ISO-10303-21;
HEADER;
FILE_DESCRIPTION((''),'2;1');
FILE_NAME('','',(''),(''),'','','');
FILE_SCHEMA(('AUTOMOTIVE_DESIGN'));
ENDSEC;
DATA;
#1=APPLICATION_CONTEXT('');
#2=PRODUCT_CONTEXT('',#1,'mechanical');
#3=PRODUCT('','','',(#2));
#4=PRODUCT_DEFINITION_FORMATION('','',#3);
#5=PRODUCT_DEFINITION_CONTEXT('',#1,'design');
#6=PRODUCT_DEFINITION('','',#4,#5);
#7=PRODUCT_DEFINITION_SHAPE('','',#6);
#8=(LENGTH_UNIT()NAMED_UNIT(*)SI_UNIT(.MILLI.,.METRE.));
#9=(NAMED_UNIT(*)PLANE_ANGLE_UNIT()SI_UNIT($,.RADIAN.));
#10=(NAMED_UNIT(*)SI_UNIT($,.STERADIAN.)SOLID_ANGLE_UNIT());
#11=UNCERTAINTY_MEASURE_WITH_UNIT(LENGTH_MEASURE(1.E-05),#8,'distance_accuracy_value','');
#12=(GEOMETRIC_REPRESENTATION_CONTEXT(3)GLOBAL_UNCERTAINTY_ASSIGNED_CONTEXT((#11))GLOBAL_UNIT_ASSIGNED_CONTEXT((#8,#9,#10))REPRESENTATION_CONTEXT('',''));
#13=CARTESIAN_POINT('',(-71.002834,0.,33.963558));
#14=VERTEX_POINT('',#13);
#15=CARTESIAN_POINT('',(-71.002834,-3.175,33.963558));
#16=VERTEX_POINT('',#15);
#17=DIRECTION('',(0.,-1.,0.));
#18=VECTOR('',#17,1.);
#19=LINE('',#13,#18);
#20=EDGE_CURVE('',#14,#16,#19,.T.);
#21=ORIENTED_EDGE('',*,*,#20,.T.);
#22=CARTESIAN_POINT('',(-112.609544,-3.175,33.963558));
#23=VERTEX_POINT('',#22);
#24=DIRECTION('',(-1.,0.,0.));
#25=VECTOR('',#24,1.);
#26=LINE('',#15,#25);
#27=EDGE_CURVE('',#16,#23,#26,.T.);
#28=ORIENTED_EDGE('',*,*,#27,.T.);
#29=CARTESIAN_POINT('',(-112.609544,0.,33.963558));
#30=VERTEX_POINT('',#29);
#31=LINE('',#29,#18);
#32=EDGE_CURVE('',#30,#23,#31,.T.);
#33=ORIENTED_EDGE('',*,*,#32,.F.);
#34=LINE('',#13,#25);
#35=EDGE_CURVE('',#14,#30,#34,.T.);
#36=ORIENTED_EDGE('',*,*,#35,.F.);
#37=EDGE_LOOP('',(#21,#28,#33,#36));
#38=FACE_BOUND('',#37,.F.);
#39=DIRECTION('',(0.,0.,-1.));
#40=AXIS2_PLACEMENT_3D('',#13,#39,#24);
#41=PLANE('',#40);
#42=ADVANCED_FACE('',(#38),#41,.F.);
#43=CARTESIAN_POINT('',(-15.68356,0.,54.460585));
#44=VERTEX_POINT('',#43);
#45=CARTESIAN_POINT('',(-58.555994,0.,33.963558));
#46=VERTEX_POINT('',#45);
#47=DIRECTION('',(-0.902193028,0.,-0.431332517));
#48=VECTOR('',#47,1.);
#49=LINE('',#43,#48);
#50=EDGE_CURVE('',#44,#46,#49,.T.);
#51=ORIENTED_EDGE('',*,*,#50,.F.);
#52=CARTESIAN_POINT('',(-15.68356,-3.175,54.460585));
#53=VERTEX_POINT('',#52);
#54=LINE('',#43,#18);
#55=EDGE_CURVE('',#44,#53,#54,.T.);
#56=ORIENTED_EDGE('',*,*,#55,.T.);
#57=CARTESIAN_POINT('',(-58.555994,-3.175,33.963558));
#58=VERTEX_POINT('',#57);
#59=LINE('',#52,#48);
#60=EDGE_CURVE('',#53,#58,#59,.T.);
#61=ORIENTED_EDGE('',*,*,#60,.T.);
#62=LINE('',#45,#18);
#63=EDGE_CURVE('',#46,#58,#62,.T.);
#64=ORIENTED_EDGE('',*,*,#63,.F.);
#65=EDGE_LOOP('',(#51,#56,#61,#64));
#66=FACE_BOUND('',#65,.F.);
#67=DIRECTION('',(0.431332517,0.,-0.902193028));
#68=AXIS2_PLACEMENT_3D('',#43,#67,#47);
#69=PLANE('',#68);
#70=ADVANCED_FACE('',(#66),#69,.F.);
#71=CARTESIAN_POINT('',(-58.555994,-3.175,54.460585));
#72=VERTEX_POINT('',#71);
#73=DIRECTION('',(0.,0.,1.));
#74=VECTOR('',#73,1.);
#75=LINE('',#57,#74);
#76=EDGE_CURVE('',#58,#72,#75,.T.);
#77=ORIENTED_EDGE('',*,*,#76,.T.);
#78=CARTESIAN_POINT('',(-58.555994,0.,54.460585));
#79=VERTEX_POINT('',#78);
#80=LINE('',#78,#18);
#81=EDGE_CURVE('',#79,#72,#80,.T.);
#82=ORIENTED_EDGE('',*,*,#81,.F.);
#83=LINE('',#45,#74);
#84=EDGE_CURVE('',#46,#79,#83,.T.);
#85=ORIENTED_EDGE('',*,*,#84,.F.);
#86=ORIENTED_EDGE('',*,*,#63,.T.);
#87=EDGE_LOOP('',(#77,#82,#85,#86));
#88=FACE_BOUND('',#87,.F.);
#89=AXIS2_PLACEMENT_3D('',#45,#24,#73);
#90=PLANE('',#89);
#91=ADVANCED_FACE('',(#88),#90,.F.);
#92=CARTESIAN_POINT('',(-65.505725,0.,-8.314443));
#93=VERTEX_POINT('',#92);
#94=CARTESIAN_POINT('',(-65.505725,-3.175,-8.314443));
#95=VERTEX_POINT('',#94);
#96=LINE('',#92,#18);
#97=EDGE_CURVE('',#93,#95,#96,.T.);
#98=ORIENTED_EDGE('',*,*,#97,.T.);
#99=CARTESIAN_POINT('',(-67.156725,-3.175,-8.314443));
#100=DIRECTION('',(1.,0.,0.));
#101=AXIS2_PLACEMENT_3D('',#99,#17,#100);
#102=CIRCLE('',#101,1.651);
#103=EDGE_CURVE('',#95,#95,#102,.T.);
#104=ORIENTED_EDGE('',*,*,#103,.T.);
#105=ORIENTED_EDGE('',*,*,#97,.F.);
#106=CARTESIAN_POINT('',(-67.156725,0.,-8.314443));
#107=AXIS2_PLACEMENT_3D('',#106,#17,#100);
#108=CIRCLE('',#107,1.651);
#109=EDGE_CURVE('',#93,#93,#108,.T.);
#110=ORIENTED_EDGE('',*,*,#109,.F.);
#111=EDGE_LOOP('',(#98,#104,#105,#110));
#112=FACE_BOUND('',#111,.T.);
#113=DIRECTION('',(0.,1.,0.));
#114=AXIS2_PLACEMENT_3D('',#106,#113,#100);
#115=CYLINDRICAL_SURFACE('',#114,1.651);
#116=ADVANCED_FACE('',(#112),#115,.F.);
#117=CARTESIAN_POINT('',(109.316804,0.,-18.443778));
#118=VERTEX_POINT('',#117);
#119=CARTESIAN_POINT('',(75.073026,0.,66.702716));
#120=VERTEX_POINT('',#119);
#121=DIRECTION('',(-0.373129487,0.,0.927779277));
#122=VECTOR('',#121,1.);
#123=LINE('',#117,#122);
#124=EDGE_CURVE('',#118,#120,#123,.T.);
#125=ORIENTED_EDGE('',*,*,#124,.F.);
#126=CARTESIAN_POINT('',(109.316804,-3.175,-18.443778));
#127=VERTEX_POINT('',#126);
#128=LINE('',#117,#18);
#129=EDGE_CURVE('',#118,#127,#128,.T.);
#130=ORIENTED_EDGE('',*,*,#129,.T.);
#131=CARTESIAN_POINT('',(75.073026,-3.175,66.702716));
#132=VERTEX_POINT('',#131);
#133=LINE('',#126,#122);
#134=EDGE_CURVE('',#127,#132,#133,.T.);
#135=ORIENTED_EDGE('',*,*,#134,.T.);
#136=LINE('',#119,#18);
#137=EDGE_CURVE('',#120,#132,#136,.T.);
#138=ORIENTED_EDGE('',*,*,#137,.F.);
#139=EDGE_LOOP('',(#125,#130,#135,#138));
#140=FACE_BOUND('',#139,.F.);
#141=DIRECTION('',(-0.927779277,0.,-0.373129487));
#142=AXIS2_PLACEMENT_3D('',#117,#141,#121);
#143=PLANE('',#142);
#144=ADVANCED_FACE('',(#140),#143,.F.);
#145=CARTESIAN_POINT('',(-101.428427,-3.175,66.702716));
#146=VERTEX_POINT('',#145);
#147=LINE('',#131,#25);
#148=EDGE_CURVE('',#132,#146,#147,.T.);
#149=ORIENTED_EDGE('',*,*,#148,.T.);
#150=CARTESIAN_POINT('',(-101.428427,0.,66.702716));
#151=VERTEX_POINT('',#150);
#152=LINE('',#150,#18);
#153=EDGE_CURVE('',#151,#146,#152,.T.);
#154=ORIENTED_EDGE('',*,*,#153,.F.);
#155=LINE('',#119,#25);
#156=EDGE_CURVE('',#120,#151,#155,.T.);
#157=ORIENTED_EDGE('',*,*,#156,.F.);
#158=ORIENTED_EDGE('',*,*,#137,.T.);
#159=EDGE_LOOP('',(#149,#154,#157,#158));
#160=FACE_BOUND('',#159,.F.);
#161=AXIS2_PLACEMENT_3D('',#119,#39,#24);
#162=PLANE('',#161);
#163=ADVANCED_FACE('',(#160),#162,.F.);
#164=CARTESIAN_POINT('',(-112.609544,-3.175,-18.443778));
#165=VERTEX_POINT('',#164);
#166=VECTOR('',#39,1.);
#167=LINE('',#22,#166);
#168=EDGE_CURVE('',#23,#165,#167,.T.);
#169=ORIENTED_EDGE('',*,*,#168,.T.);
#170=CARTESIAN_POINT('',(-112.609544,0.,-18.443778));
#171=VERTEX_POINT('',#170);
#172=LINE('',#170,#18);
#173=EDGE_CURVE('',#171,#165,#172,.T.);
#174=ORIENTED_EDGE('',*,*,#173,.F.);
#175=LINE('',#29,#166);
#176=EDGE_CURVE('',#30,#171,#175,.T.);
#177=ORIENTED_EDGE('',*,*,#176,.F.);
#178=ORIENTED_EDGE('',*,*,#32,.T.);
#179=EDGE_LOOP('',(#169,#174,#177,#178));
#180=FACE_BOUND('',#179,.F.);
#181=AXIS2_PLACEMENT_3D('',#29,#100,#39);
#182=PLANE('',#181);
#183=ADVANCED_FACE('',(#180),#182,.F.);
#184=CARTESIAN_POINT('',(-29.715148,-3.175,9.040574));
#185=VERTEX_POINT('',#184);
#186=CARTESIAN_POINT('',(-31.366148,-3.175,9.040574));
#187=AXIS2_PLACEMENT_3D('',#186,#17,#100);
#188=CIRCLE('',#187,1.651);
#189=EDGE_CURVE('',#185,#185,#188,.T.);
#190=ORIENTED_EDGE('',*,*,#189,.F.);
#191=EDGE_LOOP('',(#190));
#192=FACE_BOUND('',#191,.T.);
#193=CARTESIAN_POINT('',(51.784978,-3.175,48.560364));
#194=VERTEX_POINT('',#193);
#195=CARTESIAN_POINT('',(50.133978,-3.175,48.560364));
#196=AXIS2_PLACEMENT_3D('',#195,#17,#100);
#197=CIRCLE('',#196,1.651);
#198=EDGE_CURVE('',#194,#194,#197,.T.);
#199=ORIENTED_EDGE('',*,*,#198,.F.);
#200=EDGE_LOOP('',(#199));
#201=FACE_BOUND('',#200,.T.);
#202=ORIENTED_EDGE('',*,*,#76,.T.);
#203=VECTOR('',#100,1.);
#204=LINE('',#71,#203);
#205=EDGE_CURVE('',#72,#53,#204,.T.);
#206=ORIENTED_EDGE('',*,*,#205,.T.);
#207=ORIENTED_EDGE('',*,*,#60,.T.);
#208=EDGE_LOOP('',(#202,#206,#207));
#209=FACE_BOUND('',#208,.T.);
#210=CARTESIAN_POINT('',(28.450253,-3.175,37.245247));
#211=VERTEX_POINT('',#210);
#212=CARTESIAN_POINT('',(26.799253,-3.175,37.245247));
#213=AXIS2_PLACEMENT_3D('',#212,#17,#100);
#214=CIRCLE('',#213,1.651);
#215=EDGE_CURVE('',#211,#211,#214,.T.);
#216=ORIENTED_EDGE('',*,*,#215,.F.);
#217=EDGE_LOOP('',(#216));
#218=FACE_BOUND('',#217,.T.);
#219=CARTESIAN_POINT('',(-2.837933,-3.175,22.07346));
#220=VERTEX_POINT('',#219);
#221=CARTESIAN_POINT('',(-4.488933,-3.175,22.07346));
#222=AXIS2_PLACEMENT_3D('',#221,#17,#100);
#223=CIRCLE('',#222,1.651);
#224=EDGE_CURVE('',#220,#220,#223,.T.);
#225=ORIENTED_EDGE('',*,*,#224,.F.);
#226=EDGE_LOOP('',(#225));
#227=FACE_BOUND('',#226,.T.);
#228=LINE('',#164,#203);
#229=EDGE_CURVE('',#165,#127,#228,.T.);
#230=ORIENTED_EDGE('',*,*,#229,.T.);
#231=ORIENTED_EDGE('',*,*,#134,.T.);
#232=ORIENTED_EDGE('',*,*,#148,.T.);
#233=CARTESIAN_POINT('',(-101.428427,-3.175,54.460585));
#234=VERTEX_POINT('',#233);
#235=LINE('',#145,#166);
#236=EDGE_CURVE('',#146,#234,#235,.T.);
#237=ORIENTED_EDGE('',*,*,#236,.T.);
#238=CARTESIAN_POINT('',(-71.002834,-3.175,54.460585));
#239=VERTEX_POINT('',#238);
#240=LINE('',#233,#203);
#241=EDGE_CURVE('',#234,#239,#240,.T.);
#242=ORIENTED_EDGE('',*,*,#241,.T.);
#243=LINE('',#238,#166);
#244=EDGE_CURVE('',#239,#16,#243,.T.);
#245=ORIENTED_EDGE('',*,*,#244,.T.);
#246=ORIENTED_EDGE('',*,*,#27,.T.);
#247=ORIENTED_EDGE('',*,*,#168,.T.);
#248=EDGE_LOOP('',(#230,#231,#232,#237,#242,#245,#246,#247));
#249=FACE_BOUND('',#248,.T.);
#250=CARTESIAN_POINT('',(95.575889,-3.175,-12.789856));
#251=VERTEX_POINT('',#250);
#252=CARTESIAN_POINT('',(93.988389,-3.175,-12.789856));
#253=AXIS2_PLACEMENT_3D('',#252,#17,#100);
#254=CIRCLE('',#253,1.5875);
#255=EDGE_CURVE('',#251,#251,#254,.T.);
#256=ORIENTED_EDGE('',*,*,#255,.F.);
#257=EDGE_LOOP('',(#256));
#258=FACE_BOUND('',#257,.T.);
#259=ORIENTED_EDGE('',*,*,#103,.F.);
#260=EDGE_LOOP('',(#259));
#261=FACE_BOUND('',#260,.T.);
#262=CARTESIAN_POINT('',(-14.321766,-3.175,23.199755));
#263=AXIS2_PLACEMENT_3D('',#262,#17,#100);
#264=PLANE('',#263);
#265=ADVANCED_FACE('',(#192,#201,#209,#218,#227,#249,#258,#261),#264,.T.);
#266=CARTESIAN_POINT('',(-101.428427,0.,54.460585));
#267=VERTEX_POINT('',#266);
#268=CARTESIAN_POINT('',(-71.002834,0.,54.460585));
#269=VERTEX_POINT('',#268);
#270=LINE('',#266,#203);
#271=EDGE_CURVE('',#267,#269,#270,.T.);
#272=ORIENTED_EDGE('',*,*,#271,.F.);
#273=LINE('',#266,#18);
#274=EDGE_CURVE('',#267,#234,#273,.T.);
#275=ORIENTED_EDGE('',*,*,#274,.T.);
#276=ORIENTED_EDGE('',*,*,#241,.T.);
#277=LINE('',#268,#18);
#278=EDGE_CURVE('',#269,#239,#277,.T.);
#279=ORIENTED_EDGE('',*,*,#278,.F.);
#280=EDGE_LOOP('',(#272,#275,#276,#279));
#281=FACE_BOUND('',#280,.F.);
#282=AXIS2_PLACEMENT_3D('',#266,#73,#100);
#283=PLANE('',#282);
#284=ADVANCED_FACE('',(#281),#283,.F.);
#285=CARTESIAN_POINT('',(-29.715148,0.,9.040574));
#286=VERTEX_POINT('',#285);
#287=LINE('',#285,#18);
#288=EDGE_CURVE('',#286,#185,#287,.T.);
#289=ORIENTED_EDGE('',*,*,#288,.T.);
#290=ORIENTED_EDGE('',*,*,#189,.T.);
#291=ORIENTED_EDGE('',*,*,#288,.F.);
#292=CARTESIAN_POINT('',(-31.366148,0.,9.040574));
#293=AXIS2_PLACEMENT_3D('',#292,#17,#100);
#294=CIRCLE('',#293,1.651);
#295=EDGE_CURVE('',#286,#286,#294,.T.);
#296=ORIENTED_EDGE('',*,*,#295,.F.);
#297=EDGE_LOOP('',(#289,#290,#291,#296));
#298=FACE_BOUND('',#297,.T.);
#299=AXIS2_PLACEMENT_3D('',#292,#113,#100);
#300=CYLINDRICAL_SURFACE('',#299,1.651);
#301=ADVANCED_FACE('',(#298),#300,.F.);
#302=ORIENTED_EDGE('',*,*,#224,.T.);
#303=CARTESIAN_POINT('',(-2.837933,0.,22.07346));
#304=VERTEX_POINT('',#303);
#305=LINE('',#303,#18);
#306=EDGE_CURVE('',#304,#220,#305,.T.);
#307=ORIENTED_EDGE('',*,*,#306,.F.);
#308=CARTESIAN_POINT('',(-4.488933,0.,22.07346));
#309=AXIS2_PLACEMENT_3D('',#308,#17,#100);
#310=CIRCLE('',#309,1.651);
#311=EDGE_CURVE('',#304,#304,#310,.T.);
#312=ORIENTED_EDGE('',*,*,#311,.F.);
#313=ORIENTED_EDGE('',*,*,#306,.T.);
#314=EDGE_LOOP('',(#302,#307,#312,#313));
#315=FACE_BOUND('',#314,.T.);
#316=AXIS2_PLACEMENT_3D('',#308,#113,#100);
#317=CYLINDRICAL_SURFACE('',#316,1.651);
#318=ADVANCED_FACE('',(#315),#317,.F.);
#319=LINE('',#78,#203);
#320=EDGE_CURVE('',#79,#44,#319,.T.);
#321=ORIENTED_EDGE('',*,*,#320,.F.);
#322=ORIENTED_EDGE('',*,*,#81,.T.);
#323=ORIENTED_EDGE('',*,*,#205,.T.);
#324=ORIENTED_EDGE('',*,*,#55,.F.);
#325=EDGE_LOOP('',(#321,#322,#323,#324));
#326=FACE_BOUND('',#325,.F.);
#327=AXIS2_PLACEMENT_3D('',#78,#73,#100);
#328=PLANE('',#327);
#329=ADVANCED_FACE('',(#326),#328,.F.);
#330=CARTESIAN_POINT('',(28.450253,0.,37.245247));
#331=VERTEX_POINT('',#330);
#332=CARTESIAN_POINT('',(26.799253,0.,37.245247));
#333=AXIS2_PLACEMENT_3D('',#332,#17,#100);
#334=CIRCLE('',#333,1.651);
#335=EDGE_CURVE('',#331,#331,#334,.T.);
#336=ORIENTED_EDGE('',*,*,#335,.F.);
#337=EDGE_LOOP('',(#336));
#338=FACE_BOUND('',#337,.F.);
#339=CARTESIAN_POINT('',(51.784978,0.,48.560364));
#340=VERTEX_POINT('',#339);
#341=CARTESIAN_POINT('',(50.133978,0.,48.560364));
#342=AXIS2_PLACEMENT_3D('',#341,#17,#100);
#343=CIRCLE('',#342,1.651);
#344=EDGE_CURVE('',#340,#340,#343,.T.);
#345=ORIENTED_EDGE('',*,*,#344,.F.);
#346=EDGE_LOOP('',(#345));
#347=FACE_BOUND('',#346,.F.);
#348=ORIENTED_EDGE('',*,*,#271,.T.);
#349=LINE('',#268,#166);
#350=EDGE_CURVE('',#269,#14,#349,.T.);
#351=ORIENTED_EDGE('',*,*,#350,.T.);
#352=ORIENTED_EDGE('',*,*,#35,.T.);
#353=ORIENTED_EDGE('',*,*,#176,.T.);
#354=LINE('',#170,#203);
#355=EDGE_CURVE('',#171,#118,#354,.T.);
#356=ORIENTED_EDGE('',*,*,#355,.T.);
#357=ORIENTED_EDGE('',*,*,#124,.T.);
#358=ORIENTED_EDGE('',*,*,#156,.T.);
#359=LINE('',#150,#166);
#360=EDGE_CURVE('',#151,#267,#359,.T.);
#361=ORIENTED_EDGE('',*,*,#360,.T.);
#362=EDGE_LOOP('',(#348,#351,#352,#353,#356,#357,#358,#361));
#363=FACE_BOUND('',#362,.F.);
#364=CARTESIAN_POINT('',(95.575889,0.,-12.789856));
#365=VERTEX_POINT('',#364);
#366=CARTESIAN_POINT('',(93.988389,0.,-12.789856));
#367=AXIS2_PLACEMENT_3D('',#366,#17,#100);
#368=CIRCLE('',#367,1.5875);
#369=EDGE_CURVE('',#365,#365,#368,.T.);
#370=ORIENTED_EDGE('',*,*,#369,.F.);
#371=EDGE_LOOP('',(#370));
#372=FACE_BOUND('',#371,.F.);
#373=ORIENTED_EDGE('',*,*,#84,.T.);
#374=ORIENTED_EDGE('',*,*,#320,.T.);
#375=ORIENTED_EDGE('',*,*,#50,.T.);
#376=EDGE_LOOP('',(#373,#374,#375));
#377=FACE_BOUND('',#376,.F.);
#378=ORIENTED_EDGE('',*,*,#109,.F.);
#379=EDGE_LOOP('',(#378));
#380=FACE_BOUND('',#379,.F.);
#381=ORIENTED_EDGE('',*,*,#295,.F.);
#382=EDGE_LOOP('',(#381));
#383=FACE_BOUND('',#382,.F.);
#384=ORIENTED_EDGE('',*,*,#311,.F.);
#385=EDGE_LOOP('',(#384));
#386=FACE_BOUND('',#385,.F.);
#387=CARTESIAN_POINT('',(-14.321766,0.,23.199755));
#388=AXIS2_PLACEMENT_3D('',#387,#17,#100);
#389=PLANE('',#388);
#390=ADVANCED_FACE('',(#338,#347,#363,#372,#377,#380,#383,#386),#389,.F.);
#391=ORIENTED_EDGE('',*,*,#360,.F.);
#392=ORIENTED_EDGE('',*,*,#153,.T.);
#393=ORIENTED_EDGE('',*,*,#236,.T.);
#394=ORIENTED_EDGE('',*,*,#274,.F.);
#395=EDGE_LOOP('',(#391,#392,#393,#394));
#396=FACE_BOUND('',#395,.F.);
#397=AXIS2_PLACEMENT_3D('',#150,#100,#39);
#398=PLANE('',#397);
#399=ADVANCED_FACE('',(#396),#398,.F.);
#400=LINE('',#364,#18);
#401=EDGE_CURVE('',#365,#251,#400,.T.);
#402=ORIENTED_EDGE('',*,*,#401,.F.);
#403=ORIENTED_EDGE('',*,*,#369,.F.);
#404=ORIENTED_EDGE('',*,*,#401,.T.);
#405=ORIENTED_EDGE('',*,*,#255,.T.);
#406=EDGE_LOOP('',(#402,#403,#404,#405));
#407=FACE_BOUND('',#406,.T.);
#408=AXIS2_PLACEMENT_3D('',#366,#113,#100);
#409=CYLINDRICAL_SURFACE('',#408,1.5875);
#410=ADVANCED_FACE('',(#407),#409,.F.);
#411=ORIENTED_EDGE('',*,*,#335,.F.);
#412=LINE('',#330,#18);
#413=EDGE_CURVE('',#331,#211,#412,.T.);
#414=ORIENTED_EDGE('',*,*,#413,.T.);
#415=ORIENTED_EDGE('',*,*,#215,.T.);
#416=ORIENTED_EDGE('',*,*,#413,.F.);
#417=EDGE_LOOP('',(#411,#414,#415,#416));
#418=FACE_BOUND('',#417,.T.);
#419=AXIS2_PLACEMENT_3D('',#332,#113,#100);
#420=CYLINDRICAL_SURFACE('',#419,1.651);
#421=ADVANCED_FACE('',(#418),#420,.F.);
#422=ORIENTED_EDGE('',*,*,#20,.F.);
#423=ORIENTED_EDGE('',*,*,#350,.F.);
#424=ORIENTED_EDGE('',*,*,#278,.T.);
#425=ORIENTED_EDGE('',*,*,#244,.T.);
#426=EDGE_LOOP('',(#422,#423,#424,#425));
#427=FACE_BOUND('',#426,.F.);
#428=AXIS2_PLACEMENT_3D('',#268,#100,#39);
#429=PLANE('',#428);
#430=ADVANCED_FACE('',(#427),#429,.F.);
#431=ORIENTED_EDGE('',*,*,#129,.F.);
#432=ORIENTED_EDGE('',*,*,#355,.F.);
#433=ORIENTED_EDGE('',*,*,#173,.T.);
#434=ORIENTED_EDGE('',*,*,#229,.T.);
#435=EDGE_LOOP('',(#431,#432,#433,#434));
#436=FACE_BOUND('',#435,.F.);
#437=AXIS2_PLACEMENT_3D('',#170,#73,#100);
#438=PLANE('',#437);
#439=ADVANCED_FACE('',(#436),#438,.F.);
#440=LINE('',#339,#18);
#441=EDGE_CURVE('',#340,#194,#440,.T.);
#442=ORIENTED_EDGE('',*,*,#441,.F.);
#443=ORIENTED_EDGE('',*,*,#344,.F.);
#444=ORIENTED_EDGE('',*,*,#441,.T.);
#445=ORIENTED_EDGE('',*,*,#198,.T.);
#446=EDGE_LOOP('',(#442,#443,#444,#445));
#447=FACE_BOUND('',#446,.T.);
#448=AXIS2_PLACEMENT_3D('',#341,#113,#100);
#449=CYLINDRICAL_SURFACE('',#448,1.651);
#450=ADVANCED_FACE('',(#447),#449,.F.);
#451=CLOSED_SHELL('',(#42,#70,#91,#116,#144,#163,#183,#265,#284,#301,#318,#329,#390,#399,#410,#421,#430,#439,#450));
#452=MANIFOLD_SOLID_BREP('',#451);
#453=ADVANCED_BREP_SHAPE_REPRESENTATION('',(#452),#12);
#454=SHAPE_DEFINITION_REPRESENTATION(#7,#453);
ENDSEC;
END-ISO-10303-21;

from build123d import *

# Parameters (mm, degrees)
F0_R     = 1.651
F0_R_2   = 1.5875
F1_DEPTH = 3.175


with BuildPart() as f1:
    # F0 (on Front) → F1 (new body)
    with BuildSketch(Plane.XZ):
        Polygon((75.073026, 66.702716), (-9.460143, 66.702716), (-101.428427, 66.702716), (-101.428427, 54.460585), (-71.002834, 54.460585), (-71.002834, 33.963558), (-112.609544, 33.963558), (-112.609544, -18.443778), (109.316804, -18.443778), align=None)
        with Locations((-67.156725, -8.314443)):
            Circle(F0_R, mode=Mode.SUBTRACT)
        with Locations((-31.366148, 9.040574)):
            Circle(F0_R, mode=Mode.SUBTRACT)
        with Locations((-4.488933, 22.07346)):
            Circle(F0_R, mode=Mode.SUBTRACT)
        with Locations((93.988389, -12.789856)):
            Circle(F0_R_2, mode=Mode.SUBTRACT)
        Polygon((-58.555994, 33.963558), (-58.555994, 54.460585), (-15.68356, 54.460585), align=None, mode=Mode.SUBTRACT)
        with Locations((26.799253, 37.245247)):
            Circle(F0_R, mode=Mode.SUBTRACT)
        with Locations((50.133978, 48.560364)):
            Circle(F0_R, mode=Mode.SUBTRACT)
    extrude(amount=F1_DEPTH)


solid = f1.part
